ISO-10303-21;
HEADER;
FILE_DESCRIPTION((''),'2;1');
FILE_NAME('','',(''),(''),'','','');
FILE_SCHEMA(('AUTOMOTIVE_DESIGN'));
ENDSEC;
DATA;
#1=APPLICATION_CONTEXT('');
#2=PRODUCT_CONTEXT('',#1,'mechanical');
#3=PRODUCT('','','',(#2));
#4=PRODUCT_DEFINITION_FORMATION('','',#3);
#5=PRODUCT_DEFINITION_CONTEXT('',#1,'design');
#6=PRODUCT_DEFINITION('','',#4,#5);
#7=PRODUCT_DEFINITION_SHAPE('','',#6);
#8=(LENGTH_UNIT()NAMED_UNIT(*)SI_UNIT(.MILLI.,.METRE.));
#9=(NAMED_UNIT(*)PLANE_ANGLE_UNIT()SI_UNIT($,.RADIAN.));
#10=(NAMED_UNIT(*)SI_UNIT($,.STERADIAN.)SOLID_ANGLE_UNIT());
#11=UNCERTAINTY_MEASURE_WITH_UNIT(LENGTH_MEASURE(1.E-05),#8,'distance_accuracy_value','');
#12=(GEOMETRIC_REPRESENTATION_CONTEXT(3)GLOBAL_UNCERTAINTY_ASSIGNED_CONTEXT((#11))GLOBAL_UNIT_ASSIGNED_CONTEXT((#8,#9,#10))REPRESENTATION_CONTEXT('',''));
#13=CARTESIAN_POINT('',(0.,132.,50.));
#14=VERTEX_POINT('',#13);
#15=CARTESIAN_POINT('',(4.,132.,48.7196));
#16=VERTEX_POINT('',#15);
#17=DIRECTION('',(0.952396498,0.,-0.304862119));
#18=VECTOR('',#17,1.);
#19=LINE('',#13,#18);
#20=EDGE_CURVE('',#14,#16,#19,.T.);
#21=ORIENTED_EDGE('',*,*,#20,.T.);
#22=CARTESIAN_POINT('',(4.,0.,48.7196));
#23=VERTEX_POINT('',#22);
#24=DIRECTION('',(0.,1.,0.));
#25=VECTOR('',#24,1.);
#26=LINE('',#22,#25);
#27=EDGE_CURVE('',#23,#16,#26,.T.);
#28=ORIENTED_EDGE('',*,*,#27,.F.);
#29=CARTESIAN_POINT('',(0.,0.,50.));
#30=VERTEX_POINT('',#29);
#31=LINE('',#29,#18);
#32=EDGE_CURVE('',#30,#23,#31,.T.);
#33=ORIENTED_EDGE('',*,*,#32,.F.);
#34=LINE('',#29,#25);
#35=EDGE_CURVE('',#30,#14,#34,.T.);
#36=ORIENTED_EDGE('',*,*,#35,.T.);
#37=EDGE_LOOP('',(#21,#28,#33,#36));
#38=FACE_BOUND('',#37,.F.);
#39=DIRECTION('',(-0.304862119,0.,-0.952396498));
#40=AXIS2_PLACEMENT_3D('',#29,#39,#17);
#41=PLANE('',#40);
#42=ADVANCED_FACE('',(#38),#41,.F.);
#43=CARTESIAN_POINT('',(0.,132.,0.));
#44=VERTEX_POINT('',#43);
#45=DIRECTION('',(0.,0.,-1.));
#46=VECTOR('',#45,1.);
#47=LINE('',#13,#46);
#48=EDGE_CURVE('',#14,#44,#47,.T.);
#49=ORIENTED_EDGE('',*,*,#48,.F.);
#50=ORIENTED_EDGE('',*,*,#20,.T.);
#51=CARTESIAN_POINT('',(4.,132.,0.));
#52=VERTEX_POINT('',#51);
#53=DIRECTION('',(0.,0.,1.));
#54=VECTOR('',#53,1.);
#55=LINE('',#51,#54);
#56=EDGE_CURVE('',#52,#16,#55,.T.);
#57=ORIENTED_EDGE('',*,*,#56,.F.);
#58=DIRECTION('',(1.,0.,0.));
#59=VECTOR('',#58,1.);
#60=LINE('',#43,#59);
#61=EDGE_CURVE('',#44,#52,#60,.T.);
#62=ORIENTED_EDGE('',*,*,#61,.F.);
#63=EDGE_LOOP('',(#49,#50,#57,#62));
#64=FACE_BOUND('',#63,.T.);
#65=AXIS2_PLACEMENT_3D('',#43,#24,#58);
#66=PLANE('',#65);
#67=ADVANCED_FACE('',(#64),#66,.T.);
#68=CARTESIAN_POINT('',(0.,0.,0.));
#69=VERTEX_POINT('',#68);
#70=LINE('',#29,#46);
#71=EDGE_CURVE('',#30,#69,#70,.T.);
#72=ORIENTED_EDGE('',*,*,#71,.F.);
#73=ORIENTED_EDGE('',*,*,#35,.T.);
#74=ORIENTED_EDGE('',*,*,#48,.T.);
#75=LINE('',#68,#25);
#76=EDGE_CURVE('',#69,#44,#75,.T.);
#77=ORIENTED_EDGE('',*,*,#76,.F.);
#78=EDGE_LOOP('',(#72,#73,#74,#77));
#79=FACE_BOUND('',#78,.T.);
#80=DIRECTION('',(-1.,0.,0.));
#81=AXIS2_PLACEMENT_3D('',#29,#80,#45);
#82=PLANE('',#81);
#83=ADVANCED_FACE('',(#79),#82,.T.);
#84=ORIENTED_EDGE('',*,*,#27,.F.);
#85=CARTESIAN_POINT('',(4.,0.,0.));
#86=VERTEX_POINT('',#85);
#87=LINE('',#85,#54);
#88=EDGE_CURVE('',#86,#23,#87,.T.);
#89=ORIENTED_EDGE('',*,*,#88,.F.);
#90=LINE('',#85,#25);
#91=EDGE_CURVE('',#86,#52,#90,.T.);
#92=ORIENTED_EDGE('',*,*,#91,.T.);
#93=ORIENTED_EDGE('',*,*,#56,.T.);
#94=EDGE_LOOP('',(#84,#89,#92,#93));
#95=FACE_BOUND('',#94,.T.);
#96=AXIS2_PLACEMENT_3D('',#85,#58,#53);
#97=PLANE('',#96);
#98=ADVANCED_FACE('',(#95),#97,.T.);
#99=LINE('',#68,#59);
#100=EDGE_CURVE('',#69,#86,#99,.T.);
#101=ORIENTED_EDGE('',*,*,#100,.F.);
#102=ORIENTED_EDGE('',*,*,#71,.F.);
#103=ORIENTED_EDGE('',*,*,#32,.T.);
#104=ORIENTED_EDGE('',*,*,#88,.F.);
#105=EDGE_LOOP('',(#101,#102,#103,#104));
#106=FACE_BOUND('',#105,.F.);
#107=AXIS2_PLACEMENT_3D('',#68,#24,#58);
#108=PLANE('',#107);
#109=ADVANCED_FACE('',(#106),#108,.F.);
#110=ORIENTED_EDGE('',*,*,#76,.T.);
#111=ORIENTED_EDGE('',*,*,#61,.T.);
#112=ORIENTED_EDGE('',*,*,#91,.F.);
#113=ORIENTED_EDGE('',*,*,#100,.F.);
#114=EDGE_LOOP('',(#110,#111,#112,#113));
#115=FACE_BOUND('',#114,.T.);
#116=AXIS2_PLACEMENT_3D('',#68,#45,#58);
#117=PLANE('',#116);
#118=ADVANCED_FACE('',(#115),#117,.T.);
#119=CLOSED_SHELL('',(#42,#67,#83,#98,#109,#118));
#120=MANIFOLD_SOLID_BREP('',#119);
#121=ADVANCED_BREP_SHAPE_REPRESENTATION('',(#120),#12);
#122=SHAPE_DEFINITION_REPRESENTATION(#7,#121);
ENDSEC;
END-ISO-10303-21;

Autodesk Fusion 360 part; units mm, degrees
sketch "Esquisse1" plane through (0, 0, 0) normal (0, 1, 0) x (1, 0, 0)
  line L0 (0, 0) -> (4, 0)
  line L1 (4, 0) -> (4, -48.7196)
  line L2 (0, -50) -> (0, 0)
  line L3 (0, -50) -> (4, -48.7196)
  line L4 (0, -50) -> (4.2058, -50) construction
  dimension "d1" = 4
  dimension "d2" = 50
  dimension "d5" = 17.75
extrude "Extrusion1" add sketch "Esquisse1" along normal blind 132
